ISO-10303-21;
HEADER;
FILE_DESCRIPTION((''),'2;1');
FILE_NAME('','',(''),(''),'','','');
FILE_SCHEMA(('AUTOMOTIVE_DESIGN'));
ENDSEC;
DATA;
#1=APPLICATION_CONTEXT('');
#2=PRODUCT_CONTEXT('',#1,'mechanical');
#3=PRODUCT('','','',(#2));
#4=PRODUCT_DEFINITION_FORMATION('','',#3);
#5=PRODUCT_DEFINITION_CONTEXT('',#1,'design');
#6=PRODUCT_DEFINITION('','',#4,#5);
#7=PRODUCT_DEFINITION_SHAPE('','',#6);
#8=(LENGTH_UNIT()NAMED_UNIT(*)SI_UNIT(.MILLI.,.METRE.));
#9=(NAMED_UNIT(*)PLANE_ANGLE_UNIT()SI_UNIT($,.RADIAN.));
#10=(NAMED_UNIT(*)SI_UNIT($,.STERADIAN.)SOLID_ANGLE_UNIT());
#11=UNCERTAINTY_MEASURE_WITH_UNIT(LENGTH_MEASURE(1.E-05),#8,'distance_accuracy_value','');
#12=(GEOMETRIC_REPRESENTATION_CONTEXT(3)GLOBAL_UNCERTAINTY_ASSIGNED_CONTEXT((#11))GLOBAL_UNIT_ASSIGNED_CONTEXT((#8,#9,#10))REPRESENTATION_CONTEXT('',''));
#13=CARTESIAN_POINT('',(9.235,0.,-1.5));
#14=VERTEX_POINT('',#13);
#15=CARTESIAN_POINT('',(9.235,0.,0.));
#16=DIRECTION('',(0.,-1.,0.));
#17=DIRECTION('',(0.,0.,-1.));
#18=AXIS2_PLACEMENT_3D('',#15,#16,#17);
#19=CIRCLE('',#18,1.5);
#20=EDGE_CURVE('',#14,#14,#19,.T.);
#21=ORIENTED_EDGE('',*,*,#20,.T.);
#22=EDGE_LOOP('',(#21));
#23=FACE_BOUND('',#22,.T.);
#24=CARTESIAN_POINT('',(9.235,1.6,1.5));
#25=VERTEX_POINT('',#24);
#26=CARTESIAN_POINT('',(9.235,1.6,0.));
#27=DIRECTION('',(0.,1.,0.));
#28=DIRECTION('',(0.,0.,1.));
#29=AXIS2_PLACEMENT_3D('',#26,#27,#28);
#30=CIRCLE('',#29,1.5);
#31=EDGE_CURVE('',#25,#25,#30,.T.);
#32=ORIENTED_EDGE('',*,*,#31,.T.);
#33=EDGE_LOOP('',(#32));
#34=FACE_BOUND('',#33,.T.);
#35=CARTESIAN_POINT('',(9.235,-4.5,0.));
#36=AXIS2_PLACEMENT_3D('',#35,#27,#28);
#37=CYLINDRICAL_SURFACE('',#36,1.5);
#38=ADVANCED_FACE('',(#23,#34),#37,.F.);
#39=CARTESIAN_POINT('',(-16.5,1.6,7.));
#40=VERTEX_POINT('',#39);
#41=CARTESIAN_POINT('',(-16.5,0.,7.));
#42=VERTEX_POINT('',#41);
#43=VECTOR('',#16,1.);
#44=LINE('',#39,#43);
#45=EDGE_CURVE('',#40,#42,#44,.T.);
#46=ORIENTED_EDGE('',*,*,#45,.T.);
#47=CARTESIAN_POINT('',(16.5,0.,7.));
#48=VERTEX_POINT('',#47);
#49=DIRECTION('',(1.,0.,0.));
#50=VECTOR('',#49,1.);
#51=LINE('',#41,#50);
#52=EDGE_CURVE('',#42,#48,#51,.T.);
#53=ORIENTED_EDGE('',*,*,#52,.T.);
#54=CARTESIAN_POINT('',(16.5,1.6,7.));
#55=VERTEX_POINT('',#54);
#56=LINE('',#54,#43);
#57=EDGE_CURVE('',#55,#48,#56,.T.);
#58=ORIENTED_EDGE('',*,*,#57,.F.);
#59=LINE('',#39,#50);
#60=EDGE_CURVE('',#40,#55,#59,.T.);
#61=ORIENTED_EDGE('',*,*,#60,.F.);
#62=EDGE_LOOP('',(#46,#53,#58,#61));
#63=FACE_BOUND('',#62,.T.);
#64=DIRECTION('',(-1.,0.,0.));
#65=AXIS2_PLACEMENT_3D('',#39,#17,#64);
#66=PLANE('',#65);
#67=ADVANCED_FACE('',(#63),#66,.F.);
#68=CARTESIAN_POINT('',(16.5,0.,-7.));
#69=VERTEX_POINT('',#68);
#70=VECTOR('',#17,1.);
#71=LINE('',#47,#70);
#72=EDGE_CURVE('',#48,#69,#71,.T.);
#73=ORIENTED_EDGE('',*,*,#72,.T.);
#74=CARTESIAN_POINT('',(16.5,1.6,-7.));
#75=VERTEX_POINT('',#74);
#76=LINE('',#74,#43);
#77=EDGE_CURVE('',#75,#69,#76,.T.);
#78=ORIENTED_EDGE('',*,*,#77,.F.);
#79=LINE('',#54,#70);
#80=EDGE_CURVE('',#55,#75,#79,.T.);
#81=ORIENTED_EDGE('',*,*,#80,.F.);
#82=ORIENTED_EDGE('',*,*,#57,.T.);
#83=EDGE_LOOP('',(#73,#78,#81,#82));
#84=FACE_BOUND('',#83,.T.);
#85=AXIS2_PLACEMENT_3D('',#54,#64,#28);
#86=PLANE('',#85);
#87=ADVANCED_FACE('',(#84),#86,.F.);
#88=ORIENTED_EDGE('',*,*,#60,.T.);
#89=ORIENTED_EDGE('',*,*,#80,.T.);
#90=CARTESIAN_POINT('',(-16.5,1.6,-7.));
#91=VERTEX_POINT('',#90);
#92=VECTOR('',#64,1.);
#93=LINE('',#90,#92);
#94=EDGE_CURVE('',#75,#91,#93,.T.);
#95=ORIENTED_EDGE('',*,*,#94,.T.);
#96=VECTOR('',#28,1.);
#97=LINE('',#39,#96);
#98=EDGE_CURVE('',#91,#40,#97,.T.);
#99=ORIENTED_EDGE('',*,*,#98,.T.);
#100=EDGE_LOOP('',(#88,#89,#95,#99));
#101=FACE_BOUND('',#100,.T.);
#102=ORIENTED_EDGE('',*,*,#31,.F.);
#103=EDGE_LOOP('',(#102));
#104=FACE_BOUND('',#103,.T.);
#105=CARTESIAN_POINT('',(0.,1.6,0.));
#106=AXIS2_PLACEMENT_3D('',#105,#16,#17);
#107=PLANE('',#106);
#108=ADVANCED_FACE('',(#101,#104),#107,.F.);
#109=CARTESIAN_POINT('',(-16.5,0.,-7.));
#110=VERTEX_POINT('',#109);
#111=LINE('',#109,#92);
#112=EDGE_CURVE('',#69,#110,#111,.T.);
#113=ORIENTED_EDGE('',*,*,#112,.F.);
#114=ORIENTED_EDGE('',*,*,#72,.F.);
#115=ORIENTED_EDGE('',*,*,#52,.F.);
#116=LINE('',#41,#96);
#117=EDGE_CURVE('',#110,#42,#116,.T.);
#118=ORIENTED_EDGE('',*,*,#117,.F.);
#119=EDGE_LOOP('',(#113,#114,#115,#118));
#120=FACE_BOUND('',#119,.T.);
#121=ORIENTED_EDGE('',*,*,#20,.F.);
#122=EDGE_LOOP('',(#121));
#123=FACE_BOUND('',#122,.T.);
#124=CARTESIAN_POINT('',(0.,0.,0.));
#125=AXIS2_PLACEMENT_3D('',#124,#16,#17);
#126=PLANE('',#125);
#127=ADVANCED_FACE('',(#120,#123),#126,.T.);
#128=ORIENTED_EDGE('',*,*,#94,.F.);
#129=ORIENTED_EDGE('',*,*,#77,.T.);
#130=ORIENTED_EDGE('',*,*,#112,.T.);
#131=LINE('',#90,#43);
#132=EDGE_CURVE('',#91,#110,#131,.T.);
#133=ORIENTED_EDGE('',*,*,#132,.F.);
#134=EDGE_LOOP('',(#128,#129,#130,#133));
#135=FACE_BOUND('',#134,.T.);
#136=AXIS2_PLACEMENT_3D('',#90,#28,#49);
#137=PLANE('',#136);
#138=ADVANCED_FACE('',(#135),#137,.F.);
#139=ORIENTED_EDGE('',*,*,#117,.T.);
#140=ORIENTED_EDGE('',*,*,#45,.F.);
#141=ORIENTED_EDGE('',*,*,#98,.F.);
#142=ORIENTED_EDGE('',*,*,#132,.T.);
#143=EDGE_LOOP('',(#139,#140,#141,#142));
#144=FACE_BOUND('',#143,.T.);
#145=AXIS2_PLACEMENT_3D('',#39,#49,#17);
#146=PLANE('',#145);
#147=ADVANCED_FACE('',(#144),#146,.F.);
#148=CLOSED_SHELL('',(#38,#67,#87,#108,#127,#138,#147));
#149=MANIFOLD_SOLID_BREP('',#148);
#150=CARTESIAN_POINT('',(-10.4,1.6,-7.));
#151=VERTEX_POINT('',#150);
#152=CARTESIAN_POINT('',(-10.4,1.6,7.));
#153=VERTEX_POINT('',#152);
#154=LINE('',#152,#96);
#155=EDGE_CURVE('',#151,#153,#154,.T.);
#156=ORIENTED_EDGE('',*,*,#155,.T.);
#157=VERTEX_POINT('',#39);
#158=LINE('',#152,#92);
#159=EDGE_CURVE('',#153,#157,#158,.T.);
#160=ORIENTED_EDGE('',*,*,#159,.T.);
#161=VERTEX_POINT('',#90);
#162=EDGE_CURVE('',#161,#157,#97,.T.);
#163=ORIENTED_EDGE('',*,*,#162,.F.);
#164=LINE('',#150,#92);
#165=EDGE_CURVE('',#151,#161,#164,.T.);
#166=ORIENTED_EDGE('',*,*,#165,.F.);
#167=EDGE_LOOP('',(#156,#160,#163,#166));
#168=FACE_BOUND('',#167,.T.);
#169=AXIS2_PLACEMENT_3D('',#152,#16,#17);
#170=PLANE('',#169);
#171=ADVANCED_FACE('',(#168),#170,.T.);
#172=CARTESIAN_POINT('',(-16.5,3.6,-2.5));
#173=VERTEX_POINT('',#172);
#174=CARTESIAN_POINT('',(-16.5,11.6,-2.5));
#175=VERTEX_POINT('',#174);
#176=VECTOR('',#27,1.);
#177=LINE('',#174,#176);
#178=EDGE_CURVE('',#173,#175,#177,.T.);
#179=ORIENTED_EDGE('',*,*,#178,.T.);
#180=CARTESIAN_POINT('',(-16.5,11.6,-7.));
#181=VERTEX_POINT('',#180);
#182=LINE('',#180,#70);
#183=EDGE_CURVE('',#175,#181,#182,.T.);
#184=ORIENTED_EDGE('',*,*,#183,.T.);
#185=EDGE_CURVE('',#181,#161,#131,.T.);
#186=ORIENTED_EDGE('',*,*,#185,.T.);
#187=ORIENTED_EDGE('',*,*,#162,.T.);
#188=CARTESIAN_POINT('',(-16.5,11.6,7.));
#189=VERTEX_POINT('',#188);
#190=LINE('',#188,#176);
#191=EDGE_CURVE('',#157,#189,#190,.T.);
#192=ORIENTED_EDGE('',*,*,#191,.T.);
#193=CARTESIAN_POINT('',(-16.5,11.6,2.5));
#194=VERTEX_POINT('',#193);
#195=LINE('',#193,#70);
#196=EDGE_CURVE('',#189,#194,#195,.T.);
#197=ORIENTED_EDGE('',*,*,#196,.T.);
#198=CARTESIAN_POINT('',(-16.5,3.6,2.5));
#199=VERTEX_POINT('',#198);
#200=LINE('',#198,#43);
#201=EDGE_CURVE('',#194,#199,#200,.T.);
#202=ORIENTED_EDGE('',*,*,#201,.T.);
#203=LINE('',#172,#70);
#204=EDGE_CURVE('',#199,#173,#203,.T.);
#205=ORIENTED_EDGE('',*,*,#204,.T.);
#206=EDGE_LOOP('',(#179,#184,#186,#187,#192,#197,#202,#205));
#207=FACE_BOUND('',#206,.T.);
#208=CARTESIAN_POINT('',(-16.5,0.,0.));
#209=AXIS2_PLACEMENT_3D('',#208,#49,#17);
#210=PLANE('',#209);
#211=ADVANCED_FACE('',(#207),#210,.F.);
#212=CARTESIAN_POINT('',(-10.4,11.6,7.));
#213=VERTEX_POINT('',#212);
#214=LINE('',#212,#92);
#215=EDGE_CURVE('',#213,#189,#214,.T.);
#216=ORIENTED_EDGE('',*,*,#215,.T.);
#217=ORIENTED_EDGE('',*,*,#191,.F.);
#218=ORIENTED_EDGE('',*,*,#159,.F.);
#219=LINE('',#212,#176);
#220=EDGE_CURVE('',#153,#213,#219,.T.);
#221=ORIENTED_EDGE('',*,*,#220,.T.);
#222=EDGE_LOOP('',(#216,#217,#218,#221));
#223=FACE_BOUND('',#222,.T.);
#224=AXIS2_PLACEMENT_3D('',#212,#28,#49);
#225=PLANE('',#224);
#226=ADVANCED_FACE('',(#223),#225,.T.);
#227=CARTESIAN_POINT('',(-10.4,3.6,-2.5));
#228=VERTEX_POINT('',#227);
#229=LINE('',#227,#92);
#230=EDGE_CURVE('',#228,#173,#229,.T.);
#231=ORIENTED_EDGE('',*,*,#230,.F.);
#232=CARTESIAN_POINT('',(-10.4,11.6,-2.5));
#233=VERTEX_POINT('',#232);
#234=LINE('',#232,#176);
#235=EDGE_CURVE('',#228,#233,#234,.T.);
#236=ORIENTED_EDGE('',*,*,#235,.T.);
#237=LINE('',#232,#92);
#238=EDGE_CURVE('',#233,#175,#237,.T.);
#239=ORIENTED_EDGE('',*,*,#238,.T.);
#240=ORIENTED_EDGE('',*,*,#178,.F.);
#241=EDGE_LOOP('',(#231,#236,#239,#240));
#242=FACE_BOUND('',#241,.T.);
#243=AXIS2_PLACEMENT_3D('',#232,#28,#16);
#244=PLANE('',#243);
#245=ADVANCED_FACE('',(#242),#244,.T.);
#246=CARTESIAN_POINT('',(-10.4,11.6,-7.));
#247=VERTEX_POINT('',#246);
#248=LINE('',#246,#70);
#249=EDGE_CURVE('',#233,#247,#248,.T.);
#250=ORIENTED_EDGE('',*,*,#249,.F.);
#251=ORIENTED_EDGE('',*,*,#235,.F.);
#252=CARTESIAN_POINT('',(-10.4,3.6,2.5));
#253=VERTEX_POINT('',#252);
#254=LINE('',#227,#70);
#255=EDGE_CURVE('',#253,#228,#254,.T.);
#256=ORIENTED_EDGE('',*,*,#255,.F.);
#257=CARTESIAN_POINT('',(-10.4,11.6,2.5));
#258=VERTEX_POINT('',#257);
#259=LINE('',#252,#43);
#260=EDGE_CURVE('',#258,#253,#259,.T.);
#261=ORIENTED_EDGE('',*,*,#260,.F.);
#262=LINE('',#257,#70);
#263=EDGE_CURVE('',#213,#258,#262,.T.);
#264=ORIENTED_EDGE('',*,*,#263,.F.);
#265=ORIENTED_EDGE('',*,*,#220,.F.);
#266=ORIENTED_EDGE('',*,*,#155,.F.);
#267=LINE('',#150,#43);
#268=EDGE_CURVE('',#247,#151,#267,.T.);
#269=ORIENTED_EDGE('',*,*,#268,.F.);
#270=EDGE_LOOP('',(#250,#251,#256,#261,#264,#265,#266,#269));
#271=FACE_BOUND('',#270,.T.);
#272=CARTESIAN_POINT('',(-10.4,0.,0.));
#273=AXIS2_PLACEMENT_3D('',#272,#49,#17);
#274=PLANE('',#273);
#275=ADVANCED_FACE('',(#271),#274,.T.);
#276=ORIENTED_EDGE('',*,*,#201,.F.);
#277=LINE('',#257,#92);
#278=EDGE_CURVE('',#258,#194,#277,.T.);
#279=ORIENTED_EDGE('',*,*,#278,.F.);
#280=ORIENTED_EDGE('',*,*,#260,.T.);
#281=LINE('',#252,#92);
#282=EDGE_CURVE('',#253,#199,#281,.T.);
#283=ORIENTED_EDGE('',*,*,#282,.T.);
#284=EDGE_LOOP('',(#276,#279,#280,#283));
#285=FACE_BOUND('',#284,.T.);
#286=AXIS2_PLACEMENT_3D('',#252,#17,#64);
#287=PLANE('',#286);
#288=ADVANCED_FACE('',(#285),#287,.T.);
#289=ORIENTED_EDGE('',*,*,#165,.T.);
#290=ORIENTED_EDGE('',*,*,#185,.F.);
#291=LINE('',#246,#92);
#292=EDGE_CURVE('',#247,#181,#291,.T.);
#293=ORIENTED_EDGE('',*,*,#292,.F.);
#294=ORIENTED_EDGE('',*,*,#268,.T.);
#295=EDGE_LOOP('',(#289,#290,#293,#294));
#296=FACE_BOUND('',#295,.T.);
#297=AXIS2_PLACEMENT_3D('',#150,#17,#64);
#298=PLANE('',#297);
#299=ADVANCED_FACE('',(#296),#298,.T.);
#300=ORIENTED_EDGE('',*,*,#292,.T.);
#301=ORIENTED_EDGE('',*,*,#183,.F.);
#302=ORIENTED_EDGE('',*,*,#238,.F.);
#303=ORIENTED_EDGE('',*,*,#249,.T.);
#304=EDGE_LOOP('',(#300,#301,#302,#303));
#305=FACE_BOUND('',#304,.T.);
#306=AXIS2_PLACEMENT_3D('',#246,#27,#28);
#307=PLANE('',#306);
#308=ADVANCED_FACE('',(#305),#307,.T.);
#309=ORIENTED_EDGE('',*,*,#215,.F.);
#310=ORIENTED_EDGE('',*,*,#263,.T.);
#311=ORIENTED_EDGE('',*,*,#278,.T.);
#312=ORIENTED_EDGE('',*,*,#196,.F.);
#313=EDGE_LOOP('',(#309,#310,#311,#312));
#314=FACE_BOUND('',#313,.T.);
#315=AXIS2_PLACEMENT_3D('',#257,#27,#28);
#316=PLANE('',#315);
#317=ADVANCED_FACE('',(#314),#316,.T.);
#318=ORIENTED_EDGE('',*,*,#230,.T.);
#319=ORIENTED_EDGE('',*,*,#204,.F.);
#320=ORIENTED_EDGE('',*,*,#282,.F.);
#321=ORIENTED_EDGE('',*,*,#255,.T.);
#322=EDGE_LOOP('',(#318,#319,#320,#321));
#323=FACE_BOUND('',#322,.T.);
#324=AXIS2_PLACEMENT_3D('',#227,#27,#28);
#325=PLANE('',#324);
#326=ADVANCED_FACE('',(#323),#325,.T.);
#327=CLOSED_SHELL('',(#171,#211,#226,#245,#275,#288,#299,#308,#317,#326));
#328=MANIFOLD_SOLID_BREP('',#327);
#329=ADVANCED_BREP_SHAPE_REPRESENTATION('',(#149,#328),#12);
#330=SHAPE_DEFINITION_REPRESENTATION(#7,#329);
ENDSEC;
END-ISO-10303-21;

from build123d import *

# Parameters (mm, degrees)
SKETCH1_W           = 33
SKETCH1_H           = 14
BOSS_EXTRUDE1_DEPTH = 1.6
BOSS_EXTRUDE2_DEPTH = 6.1
SKETCH4_R           = 1.5
CUT_EXTRUDE1_DEPTH  = 6.1


with BuildPart() as part:
    # Sketch1 → Boss-Extrude1 (new body)
    with BuildSketch(Plane(origin=(0, 0, 0), x_dir=(1, 0, 0), z_dir=(0, 1, 0))):
        Rectangle(SKETCH1_W, SKETCH1_H)
    extrude(amount=BOSS_EXTRUDE1_DEPTH)

    # Sketch4 → Cut-Extrude1 (cut)
    with BuildSketch(Plane(origin=(0, 1.6, 0), x_dir=(1, 0, 0), z_dir=(0, 1, 0))):
        with Locations(Location((9.235, 0, 0), (0, 0, 270))):
            Circle(SKETCH4_R)
    extrude(amount=-CUT_EXTRUDE1_DEPTH, mode=Mode.SUBTRACT)


with BuildPart() as body_2:
    # Sketch2 → Boss-Extrude2 (new body)
    with BuildSketch(Plane.ZY.offset(16.5)):
        Polygon((-7, 1.6), (-7, 11.6), (-2.5, 11.6), (-2.5, 3.6), (2.5, 3.6), (2.5, 11.6), (7, 11.6), (7, 1.6), align=None)
    extrude(amount=-BOSS_EXTRUDE2_DEPTH)


solid = Compound([part.part, body_2.part])
